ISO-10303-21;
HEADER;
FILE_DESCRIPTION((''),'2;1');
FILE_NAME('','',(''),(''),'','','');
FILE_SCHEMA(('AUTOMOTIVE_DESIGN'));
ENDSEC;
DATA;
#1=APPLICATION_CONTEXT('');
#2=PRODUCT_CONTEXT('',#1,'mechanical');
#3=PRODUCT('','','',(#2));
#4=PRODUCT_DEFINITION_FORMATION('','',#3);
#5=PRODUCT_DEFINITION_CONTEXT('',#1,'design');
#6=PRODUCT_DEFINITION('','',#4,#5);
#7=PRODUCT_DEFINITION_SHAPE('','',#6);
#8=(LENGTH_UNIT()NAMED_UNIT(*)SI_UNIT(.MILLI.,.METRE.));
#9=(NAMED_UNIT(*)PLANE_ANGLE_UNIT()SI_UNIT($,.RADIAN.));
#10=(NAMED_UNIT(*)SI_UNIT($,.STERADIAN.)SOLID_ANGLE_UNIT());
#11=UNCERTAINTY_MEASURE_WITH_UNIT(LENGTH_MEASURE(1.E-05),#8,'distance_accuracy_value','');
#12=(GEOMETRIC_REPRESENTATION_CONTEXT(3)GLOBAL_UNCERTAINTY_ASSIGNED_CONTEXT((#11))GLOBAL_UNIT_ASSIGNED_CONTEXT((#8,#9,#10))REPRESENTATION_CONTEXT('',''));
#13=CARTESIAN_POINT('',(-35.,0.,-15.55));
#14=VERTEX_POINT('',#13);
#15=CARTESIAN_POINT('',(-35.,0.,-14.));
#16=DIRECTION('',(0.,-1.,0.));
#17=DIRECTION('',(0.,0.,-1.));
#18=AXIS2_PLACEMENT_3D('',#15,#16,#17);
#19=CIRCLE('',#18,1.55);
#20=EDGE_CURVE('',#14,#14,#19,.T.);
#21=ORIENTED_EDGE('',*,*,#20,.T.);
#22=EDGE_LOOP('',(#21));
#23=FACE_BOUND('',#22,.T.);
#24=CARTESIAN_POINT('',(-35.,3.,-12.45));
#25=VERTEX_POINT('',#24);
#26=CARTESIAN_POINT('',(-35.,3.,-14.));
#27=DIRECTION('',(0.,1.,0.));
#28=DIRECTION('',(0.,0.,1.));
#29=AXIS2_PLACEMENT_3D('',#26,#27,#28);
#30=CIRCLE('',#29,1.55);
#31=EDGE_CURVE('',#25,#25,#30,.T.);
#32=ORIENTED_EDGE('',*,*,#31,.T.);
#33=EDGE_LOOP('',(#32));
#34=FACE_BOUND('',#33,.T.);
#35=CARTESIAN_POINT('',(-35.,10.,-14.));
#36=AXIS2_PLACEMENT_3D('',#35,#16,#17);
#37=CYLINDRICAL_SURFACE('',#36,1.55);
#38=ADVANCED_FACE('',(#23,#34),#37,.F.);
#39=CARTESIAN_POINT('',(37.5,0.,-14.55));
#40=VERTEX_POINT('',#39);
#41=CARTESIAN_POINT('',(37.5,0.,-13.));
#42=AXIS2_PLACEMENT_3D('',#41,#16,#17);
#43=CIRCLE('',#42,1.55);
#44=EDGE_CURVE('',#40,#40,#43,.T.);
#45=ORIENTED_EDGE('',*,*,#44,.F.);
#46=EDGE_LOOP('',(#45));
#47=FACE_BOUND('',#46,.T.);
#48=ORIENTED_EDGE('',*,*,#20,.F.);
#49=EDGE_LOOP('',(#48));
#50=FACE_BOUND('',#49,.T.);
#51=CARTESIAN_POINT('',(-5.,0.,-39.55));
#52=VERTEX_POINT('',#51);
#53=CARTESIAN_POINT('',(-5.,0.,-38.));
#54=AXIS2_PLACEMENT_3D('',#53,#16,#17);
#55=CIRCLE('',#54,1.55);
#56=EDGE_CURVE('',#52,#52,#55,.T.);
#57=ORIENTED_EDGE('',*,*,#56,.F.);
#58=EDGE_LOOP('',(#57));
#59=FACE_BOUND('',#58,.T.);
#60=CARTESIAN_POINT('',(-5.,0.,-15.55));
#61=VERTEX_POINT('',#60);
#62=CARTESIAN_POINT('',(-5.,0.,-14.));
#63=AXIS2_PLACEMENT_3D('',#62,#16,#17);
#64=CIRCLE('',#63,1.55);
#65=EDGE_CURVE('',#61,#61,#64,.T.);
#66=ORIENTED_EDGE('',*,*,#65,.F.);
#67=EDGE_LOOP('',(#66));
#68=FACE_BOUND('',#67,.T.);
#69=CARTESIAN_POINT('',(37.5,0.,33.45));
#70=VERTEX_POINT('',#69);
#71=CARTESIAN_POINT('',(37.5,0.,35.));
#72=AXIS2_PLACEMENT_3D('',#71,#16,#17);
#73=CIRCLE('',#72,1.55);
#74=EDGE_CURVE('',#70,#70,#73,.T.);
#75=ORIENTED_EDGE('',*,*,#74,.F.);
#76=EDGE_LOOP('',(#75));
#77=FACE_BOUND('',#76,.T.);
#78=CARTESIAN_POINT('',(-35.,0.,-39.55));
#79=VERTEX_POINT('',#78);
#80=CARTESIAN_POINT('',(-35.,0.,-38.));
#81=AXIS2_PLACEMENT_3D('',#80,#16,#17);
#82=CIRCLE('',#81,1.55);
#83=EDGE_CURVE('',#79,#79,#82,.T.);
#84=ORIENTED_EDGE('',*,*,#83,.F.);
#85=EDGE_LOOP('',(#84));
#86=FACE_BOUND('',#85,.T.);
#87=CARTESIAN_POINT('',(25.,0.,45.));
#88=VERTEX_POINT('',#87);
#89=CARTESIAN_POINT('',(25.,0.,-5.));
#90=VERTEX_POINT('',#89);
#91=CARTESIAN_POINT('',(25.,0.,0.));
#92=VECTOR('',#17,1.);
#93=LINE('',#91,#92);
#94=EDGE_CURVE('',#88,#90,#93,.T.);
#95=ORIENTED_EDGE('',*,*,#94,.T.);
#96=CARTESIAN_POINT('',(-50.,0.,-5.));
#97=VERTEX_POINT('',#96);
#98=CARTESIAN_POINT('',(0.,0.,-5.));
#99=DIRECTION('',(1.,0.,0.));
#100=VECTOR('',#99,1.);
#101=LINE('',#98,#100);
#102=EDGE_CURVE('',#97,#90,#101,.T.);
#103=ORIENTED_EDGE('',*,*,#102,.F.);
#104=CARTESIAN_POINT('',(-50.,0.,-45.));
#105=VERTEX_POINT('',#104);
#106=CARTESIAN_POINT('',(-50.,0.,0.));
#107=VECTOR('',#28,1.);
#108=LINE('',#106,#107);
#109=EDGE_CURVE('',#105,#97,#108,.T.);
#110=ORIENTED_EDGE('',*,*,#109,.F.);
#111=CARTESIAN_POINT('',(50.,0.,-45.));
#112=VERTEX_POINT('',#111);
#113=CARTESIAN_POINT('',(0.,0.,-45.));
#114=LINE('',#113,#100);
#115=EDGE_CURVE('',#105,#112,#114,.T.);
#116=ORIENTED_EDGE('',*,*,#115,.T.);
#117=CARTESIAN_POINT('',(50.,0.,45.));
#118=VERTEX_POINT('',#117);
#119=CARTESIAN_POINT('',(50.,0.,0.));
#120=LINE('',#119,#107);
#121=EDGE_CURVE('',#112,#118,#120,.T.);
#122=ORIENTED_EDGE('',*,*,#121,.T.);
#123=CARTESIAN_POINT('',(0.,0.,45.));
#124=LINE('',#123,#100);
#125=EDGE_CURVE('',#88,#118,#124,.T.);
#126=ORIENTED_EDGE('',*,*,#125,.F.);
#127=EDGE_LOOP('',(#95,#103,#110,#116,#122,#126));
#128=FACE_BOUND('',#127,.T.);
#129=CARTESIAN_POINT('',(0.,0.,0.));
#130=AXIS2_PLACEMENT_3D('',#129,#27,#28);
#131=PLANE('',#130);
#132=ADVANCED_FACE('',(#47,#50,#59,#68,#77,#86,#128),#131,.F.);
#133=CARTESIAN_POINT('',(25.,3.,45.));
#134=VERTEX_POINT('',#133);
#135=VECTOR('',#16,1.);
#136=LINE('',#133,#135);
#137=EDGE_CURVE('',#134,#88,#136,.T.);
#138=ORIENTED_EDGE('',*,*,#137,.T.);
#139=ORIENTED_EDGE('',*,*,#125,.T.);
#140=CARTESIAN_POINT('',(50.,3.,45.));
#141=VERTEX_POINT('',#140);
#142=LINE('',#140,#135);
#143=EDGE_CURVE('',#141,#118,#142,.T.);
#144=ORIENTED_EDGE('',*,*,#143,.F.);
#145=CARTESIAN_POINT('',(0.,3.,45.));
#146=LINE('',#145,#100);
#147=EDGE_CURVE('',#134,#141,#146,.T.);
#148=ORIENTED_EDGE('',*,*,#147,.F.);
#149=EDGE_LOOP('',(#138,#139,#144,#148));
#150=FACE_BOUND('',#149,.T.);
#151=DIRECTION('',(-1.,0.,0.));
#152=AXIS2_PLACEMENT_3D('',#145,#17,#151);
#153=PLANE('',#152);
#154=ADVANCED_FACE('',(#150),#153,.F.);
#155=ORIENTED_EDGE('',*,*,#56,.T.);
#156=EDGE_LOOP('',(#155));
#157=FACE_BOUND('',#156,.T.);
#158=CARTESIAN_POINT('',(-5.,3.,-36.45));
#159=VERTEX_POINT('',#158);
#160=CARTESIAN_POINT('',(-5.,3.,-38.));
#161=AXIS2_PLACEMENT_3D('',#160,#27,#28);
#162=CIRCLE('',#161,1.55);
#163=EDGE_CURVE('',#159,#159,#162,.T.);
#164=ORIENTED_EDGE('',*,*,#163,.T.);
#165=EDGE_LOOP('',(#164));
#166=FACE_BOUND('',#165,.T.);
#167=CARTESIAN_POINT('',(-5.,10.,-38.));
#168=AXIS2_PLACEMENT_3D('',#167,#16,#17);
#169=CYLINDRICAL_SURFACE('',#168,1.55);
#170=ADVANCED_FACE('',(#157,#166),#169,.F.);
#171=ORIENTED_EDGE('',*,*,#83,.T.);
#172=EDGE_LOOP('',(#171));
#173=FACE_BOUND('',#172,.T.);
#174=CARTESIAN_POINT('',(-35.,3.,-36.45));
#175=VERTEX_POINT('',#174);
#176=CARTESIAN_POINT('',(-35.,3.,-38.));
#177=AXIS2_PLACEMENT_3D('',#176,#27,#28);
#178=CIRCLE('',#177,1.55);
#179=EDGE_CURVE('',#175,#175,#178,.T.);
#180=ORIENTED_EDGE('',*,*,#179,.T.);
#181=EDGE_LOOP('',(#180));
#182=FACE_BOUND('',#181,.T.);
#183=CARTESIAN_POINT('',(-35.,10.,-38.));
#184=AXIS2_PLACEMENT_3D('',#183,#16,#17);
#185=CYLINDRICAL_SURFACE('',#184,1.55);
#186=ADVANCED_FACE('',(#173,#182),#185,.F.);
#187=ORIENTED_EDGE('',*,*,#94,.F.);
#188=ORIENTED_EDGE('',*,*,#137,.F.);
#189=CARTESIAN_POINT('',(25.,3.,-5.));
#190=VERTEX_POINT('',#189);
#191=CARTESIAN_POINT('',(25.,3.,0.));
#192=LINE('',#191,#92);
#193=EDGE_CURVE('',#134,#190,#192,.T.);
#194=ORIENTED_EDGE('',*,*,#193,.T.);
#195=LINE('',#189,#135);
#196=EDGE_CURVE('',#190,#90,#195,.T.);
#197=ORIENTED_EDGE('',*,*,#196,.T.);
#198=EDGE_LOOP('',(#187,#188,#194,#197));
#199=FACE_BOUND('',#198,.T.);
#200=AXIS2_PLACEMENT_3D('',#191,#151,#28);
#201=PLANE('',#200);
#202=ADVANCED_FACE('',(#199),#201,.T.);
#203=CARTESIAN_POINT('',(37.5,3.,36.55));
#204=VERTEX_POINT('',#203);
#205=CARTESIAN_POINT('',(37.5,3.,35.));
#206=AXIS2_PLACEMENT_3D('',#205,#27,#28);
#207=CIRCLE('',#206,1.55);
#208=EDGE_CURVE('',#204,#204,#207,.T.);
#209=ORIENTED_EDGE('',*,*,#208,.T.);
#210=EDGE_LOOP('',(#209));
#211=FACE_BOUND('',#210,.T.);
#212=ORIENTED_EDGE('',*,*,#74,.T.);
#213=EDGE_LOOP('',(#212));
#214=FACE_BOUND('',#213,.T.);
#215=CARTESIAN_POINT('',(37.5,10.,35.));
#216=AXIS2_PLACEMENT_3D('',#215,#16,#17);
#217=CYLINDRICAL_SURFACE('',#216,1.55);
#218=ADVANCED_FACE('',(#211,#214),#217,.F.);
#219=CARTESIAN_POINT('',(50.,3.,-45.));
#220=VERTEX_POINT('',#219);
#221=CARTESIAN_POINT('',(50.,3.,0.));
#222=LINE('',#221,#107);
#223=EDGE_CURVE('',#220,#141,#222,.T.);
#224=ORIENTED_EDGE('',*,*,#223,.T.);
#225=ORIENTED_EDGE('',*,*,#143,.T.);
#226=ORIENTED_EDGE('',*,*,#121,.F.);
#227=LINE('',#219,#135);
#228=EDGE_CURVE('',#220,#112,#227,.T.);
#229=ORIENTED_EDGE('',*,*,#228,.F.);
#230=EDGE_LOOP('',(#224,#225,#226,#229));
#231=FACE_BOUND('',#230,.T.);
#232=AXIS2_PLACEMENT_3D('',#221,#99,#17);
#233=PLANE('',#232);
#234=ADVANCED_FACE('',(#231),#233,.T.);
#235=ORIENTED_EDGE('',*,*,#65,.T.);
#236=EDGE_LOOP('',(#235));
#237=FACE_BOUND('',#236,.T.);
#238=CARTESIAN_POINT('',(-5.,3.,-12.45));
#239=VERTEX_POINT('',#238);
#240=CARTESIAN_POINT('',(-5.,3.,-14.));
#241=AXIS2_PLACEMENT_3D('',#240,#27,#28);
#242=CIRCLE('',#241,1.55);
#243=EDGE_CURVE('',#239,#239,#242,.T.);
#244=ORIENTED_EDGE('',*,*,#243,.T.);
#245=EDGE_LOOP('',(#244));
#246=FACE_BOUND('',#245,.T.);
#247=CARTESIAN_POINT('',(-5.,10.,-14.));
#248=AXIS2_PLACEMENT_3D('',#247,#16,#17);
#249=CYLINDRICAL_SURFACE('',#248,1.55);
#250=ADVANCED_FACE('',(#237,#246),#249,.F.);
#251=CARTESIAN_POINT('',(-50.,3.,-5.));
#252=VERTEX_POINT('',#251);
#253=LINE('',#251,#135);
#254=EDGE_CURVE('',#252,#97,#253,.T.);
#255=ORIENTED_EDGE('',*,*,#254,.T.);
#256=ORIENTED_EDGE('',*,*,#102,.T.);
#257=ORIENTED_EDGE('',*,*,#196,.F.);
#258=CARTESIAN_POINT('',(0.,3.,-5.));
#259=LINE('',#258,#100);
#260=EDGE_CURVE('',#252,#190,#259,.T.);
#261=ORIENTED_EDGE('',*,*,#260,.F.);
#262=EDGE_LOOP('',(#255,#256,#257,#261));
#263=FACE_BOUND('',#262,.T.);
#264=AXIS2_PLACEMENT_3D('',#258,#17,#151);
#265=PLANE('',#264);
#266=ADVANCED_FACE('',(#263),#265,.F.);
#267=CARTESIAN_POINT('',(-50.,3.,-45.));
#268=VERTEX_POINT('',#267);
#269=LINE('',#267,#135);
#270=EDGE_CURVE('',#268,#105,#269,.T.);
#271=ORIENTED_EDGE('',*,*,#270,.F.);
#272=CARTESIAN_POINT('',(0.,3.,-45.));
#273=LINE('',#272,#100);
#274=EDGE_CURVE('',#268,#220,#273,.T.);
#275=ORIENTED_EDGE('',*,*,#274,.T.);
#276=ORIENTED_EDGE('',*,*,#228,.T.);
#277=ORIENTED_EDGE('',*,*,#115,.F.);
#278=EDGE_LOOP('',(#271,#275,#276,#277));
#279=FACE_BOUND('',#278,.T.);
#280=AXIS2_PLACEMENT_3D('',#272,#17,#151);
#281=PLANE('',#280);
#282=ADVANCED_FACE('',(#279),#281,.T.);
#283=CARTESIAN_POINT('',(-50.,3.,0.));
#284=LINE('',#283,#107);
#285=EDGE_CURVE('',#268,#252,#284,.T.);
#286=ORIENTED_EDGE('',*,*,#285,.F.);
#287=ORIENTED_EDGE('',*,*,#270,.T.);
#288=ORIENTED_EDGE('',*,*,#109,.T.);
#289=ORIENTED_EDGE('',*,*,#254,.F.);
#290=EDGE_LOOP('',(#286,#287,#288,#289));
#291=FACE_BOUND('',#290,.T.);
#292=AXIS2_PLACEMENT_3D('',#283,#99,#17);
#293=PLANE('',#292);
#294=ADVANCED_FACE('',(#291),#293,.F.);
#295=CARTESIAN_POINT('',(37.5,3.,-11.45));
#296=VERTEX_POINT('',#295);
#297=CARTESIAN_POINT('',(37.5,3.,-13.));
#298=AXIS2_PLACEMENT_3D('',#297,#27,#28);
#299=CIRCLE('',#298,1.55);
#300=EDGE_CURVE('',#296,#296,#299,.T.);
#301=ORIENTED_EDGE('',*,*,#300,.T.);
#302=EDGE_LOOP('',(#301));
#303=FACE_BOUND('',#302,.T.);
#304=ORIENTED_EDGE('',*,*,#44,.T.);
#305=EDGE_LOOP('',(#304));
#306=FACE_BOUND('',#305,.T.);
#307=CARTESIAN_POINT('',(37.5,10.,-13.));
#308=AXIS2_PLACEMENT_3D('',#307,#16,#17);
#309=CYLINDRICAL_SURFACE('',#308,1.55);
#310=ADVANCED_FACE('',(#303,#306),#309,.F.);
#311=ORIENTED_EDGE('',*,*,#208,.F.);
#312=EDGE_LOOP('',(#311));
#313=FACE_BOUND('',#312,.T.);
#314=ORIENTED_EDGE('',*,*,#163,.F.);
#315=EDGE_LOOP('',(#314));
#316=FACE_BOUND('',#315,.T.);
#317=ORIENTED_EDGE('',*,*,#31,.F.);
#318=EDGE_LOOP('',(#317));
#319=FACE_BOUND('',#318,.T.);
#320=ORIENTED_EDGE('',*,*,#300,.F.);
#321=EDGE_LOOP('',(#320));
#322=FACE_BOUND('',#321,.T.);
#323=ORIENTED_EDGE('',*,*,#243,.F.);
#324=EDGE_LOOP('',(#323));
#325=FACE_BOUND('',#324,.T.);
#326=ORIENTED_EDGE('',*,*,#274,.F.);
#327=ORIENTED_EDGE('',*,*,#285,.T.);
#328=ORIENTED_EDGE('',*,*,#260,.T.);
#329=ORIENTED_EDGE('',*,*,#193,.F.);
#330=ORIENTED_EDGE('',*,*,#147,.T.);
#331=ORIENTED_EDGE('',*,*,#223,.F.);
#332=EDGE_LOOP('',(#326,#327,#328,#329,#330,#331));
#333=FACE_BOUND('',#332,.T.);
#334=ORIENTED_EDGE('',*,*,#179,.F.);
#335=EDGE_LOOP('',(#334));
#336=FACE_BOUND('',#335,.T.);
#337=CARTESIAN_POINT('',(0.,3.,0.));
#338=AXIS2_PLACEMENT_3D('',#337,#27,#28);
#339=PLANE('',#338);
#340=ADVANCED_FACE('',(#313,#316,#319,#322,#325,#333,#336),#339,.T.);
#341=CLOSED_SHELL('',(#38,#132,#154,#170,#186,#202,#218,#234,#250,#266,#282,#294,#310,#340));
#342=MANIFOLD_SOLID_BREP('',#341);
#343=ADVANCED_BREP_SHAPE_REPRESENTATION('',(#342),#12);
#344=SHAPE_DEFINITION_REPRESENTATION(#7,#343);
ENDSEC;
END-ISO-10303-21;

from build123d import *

# Parameters (mm, degrees)
EXTRUDE_1_DEPTH     = 3
SKETCH_2_R          = 1.55
CUT_EXTRUDE_1_DEPTH = 10
SKETCH_3_R          = 1.55
CUT_EXTRUDE_2_DEPTH = 10


with BuildPart() as part:
    # 草图1 → 凸台-拉伸1 (new body)
    with BuildSketch(Plane(origin=(0, 0, 0), x_dir=(1, 0, 0), z_dir=(0, 1, 0))):
        Polygon((50, 45), (-50, 45), (-50, 5), (25, 5), (25, -45), (50, -45), align=None)
    extrude(amount=EXTRUDE_1_DEPTH)

    # 草图2 → 切除-拉伸1 (cut)
    with BuildSketch(Plane(origin=(0, 0, 0), x_dir=(-1, 0, 0), z_dir=(0, -1, 0))):
        with Locations(Location((5, 38, 0), (0, 0, 90))):
            Circle(SKETCH_2_R)
        with Locations(Location((5, 14, 0), (0, 0, 90))):
            Circle(SKETCH_2_R)
        with Locations(Location((35, 38, 0), (0, 0, 90))):
            Circle(SKETCH_2_R)
        with Locations(Location((35, 14, 0), (0, 0, 90))):
            Circle(SKETCH_2_R)
    extrude(amount=-CUT_EXTRUDE_1_DEPTH, mode=Mode.SUBTRACT)

    # 草图3 → 切除-拉伸2 (cut)
    with BuildSketch(Plane(origin=(0, 0, 0), x_dir=(-1, 0, 0), z_dir=(0, -1, 0))):
        with Locations(Location((-37.5, 13, 0), (0, 0, 90))):
            Circle(SKETCH_3_R)
        with Locations(Location((-37.5, -35, 0), (0, 0, 90))):
            Circle(SKETCH_3_R)
    extrude(amount=-CUT_EXTRUDE_2_DEPTH, mode=Mode.SUBTRACT)


solid = part.part
